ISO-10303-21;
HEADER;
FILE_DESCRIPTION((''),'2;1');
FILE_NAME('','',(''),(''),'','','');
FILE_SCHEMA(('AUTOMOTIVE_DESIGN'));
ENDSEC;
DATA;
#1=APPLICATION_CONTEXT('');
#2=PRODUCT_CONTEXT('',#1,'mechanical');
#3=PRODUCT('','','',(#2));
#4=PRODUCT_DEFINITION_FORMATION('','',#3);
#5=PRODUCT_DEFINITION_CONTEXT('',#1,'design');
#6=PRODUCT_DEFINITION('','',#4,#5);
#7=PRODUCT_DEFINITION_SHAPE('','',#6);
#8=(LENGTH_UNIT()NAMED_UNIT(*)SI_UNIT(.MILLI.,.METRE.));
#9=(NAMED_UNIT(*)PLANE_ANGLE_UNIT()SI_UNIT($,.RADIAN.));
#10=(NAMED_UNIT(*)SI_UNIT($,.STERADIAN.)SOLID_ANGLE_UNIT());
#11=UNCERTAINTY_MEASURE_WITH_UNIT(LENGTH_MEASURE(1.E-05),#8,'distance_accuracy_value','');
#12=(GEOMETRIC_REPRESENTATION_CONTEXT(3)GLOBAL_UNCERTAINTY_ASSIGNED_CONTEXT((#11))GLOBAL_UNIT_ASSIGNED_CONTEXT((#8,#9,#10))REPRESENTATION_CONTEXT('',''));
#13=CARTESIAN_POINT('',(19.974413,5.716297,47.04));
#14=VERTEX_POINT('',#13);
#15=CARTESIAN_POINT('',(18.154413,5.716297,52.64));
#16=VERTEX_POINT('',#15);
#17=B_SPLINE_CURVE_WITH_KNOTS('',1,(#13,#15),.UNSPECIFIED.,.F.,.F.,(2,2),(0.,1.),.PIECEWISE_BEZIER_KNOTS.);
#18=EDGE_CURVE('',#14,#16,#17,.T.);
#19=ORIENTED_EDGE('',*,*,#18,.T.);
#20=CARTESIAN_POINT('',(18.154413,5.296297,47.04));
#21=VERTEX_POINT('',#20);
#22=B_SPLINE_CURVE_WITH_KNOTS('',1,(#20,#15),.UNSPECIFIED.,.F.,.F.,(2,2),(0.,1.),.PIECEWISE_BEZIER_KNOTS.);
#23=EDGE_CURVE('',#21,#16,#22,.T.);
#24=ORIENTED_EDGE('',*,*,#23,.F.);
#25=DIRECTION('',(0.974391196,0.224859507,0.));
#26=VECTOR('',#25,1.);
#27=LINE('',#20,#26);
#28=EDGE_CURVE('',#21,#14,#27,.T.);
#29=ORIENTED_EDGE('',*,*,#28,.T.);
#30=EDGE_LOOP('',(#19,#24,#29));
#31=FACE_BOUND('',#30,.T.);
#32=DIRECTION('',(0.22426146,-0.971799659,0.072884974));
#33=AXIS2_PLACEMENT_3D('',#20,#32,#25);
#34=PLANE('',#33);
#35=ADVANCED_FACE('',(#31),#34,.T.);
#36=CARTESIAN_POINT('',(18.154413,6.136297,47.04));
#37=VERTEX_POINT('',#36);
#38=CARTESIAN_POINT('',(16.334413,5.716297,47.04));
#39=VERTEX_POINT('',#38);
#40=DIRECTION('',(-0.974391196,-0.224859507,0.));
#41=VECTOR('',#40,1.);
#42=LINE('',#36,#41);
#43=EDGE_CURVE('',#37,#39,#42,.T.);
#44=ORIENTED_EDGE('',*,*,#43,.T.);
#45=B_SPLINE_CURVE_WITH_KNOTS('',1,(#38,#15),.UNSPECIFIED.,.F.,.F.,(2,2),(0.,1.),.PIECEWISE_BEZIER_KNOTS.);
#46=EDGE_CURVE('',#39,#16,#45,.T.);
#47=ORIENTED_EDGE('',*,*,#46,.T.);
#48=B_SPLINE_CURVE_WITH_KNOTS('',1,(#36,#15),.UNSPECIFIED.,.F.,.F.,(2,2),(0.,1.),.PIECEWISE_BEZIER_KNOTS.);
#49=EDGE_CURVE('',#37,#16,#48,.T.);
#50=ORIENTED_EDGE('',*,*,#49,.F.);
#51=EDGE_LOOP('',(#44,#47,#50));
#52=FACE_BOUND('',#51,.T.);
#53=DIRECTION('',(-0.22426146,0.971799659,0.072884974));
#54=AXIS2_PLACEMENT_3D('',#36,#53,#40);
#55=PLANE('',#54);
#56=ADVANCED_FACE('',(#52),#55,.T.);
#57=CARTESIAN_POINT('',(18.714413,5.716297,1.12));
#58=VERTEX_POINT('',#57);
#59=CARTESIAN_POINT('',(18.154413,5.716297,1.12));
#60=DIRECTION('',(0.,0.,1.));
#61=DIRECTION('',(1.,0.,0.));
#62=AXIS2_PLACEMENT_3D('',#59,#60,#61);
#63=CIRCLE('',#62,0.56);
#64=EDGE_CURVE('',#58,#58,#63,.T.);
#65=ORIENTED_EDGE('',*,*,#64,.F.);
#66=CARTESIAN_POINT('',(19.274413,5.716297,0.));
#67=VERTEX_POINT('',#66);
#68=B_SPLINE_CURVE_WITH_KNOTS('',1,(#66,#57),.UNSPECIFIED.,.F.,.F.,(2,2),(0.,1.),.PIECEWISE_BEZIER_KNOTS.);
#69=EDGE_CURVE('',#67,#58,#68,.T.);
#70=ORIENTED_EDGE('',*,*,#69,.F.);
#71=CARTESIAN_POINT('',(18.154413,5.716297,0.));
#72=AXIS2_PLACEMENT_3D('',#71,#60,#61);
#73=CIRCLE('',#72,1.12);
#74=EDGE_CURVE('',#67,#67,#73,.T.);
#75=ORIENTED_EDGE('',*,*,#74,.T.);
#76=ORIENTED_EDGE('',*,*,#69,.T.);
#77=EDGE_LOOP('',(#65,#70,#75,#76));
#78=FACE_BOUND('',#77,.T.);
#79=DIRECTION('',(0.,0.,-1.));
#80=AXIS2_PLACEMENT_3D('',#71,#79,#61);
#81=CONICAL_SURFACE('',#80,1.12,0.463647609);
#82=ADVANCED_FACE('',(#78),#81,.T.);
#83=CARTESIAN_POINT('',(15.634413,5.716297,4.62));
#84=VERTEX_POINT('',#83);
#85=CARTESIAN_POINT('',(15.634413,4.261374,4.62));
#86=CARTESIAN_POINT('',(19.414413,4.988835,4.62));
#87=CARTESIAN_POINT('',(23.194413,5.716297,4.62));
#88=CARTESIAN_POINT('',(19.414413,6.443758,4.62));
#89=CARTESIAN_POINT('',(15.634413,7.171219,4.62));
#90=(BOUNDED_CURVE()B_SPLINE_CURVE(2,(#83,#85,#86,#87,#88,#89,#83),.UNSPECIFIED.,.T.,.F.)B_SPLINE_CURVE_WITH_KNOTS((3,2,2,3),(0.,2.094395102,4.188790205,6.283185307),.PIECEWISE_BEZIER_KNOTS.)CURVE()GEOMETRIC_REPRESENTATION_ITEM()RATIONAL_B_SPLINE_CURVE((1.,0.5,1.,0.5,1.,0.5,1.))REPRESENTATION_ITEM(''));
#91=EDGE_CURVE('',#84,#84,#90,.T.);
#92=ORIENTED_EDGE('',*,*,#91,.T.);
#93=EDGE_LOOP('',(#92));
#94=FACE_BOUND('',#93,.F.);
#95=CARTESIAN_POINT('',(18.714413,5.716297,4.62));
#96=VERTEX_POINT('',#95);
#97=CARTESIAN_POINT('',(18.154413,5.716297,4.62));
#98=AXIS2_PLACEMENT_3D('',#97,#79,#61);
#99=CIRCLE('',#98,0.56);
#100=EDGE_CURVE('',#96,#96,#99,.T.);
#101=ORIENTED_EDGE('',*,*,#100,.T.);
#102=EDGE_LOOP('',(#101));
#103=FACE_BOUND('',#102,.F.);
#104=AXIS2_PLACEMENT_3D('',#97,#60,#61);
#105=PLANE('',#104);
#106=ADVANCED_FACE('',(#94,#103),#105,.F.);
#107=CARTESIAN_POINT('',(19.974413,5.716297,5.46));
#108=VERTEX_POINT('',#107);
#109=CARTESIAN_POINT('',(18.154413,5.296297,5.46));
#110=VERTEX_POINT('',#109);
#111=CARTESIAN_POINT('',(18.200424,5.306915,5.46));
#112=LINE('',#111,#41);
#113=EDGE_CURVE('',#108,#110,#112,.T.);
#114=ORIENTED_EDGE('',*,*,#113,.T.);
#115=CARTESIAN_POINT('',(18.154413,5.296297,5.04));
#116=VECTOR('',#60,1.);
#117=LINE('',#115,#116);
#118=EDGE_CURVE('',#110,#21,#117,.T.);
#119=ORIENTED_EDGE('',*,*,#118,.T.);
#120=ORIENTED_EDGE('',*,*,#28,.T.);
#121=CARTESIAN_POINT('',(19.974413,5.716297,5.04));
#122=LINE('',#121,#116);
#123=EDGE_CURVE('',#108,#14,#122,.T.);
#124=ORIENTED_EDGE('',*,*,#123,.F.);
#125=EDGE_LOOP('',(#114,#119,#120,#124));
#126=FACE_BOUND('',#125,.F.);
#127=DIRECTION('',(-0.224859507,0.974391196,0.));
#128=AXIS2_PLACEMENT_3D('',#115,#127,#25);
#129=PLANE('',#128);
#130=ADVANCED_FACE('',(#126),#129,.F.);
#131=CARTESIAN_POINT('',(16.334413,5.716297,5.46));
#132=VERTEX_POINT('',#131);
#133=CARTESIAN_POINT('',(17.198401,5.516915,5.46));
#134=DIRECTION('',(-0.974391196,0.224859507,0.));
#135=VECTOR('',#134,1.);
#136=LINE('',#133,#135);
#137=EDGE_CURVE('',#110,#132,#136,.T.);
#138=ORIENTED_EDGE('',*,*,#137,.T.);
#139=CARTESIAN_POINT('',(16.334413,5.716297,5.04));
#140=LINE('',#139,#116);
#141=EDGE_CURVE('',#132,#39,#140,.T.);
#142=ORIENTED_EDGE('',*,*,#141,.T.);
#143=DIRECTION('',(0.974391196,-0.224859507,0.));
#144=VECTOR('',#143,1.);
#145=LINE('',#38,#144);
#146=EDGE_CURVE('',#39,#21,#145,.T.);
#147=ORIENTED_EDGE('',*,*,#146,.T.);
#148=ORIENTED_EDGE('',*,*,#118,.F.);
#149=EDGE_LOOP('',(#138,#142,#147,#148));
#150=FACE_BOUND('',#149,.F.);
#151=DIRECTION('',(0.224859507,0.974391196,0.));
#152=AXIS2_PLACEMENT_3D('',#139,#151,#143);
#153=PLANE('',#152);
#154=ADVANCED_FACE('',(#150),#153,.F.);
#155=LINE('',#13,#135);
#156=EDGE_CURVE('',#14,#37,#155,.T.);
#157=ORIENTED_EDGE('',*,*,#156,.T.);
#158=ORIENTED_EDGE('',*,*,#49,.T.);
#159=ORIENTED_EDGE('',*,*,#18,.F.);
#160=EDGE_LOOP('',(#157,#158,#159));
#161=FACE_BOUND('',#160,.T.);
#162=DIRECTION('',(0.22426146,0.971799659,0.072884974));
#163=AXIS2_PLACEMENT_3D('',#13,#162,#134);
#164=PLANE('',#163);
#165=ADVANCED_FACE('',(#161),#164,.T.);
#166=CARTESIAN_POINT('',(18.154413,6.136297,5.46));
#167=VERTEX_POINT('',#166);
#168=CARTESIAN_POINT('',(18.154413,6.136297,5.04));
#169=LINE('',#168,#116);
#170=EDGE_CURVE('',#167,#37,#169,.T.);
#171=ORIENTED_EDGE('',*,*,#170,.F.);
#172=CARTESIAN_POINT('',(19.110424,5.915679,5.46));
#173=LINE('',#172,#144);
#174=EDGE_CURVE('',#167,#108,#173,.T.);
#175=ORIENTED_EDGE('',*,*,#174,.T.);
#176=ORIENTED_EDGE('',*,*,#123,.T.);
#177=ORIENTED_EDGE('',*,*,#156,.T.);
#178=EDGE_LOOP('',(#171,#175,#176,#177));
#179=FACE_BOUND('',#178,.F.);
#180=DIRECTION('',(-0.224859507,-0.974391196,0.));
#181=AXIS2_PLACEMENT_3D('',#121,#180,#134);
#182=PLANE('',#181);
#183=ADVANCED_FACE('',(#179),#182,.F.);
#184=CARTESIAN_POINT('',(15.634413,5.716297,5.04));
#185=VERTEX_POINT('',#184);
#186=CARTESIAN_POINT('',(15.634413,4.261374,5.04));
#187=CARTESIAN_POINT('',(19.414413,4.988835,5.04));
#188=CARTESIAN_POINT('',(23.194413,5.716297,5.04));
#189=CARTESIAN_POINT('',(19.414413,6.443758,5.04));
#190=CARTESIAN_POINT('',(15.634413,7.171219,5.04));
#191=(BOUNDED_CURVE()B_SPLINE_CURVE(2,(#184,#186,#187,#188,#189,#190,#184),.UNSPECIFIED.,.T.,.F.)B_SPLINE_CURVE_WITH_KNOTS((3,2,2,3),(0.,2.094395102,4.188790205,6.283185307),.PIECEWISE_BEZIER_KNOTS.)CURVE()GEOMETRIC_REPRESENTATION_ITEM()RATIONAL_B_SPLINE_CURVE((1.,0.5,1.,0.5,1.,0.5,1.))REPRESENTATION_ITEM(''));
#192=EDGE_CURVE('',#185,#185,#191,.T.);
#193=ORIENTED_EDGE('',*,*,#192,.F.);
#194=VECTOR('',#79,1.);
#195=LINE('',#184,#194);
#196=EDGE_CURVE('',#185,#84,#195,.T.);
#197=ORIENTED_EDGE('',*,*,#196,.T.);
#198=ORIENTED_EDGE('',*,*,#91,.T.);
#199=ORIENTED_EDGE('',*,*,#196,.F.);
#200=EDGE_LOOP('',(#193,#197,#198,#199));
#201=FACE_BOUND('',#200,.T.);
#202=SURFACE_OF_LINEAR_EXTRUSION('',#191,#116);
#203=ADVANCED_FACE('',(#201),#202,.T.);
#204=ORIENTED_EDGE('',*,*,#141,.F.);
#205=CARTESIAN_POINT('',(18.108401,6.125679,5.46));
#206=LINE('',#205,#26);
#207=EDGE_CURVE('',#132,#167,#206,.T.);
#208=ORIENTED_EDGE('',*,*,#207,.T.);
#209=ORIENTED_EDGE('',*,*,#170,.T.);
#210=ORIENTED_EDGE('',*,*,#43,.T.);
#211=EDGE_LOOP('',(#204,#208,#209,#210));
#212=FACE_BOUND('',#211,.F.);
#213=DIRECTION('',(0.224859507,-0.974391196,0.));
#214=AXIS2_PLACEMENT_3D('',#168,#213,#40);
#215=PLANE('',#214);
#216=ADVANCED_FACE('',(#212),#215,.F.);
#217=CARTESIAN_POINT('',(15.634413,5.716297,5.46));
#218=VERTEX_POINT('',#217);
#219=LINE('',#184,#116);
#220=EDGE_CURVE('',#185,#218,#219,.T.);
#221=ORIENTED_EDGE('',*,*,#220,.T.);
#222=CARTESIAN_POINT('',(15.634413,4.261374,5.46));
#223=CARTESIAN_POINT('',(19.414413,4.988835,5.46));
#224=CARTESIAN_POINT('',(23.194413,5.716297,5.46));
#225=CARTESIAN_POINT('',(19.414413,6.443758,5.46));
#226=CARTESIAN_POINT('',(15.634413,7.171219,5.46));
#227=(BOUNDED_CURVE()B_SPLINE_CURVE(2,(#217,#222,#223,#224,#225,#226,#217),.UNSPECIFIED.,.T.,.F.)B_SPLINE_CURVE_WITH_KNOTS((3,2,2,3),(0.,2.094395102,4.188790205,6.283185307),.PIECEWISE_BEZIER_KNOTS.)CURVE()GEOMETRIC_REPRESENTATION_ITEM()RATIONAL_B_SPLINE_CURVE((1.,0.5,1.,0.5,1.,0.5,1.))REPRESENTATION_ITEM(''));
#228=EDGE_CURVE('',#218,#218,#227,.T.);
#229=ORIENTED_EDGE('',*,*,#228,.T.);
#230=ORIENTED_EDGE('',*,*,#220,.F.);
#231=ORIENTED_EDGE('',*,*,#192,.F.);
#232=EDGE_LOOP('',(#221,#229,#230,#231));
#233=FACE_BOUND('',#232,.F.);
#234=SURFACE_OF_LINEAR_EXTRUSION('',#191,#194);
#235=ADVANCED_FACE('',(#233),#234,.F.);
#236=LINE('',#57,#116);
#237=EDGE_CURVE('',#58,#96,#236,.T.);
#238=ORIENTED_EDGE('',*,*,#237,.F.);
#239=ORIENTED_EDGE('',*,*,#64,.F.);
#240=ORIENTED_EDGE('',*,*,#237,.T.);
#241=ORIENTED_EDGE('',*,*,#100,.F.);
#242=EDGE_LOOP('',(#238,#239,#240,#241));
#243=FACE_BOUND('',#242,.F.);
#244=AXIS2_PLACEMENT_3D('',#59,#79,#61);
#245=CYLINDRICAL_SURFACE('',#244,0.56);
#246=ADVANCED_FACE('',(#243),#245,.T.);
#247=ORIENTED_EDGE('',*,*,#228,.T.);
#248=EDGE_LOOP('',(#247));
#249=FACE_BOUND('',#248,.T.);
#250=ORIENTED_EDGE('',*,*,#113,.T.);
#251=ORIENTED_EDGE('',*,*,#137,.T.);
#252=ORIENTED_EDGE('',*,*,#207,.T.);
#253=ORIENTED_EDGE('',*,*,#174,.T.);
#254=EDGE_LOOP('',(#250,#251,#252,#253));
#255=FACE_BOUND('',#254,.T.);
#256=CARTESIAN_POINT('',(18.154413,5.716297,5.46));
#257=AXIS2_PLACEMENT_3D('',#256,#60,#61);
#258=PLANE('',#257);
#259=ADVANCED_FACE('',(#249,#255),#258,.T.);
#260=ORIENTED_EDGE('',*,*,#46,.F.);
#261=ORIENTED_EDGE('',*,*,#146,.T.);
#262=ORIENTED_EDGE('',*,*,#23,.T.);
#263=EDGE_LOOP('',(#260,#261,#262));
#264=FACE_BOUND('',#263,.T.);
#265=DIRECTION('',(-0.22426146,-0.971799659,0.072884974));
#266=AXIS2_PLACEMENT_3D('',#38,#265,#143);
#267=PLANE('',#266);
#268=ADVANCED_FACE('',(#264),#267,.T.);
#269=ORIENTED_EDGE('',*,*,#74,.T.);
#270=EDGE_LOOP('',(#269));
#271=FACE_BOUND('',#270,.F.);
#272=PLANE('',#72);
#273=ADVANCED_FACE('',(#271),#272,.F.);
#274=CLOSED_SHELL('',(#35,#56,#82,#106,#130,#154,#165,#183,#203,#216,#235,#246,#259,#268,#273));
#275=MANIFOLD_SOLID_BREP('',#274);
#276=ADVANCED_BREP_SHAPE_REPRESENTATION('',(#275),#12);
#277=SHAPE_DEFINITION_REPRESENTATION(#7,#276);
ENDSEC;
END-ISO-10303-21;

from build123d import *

# Parameters (mm, degrees)
F0_R      = 0.8
F2_R      = 0.4
F6_DEPTH  = 2.6
F7_DEPTH  = 0.3
F10_DEPTH = 30
F14_SCALE = 1.4


with BuildPart() as f5:
    # F0 (on Top) → F5 section 0
    with BuildSketch(Plane.XY):
        with Locations((12.9674375057, 4.0830690414)):
            Circle(F0_R)
    # F2 (on offset) → F5 section 1
    with BuildSketch(Plane.XY.offset(0.8)):
        with Locations((12.9674375057, 4.0830690414)):
            Circle(F2_R)
    loft()

    # F6 (add): a face of the model
    f6_faces = [f5.faces().sort_by_distance(p)[0] for p in [
        (12.9674375057, 4.0830690414, 0.8),
    ]]
    extrude(f6_faces, amount=F6_DEPTH)

    # F4 (on offset) → F7 (join, symmetric)
    with BuildSketch(Plane.XY.offset(3.6)):
        with BuildLine():
            add(Edge.make_bspline(
                [(11.1674375057, 4.0830690414), (11.1674375057, 3.0438385568), (13.8674375057, 3.5634537991), (16.5674375057, 4.0830690414), (13.8674375057, 4.6026842836), (11.1674375057, 5.1222995259), (11.1674375057, 4.0830690414)],
                knots=[0, 0, 0, 2.0943951024, 2.0943951024, 4.1887902048, 4.1887902048, 6.2831853072, 6.2831853072, 6.2831853072], degree=2, weights=[1, 0.5, 1, 0.5, 1, 0.5, 1]))
        make_face()
    extrude(amount=F7_DEPTH, both=True)

    # F9 (on offset) → F10 (join)
    with BuildSketch(Plane.XY.offset(3.6)):
        Polygon((12.9674375057, 4.3830690414), (11.6674375057, 4.0830690414), (12.9674375057, 3.7830690414), (14.2674375057, 4.0830690414), align=None)
    extrude(amount=F10_DEPTH)

    # F10_face (on face) → F13 section 0
    with BuildSketch(Plane(origin=(12.9674375057, 4.0830690414, 33.6), x_dir=(1, 0, 0), z_dir=(0, 0, 1)), mode=Mode.PRIVATE) as f13_s0:
        Polygon((0, 0.3), (-1.3, 0), (0, -0.3), (1.3, 0), align=None)
    loft([f13_s0.sketch, Vertex(12.9674375057, 4.0830690414, 37.6)])


with BuildPart() as f5_1:
    # F14: moved
    add(f5.part.scale(F14_SCALE))


solid = f5_1.part
